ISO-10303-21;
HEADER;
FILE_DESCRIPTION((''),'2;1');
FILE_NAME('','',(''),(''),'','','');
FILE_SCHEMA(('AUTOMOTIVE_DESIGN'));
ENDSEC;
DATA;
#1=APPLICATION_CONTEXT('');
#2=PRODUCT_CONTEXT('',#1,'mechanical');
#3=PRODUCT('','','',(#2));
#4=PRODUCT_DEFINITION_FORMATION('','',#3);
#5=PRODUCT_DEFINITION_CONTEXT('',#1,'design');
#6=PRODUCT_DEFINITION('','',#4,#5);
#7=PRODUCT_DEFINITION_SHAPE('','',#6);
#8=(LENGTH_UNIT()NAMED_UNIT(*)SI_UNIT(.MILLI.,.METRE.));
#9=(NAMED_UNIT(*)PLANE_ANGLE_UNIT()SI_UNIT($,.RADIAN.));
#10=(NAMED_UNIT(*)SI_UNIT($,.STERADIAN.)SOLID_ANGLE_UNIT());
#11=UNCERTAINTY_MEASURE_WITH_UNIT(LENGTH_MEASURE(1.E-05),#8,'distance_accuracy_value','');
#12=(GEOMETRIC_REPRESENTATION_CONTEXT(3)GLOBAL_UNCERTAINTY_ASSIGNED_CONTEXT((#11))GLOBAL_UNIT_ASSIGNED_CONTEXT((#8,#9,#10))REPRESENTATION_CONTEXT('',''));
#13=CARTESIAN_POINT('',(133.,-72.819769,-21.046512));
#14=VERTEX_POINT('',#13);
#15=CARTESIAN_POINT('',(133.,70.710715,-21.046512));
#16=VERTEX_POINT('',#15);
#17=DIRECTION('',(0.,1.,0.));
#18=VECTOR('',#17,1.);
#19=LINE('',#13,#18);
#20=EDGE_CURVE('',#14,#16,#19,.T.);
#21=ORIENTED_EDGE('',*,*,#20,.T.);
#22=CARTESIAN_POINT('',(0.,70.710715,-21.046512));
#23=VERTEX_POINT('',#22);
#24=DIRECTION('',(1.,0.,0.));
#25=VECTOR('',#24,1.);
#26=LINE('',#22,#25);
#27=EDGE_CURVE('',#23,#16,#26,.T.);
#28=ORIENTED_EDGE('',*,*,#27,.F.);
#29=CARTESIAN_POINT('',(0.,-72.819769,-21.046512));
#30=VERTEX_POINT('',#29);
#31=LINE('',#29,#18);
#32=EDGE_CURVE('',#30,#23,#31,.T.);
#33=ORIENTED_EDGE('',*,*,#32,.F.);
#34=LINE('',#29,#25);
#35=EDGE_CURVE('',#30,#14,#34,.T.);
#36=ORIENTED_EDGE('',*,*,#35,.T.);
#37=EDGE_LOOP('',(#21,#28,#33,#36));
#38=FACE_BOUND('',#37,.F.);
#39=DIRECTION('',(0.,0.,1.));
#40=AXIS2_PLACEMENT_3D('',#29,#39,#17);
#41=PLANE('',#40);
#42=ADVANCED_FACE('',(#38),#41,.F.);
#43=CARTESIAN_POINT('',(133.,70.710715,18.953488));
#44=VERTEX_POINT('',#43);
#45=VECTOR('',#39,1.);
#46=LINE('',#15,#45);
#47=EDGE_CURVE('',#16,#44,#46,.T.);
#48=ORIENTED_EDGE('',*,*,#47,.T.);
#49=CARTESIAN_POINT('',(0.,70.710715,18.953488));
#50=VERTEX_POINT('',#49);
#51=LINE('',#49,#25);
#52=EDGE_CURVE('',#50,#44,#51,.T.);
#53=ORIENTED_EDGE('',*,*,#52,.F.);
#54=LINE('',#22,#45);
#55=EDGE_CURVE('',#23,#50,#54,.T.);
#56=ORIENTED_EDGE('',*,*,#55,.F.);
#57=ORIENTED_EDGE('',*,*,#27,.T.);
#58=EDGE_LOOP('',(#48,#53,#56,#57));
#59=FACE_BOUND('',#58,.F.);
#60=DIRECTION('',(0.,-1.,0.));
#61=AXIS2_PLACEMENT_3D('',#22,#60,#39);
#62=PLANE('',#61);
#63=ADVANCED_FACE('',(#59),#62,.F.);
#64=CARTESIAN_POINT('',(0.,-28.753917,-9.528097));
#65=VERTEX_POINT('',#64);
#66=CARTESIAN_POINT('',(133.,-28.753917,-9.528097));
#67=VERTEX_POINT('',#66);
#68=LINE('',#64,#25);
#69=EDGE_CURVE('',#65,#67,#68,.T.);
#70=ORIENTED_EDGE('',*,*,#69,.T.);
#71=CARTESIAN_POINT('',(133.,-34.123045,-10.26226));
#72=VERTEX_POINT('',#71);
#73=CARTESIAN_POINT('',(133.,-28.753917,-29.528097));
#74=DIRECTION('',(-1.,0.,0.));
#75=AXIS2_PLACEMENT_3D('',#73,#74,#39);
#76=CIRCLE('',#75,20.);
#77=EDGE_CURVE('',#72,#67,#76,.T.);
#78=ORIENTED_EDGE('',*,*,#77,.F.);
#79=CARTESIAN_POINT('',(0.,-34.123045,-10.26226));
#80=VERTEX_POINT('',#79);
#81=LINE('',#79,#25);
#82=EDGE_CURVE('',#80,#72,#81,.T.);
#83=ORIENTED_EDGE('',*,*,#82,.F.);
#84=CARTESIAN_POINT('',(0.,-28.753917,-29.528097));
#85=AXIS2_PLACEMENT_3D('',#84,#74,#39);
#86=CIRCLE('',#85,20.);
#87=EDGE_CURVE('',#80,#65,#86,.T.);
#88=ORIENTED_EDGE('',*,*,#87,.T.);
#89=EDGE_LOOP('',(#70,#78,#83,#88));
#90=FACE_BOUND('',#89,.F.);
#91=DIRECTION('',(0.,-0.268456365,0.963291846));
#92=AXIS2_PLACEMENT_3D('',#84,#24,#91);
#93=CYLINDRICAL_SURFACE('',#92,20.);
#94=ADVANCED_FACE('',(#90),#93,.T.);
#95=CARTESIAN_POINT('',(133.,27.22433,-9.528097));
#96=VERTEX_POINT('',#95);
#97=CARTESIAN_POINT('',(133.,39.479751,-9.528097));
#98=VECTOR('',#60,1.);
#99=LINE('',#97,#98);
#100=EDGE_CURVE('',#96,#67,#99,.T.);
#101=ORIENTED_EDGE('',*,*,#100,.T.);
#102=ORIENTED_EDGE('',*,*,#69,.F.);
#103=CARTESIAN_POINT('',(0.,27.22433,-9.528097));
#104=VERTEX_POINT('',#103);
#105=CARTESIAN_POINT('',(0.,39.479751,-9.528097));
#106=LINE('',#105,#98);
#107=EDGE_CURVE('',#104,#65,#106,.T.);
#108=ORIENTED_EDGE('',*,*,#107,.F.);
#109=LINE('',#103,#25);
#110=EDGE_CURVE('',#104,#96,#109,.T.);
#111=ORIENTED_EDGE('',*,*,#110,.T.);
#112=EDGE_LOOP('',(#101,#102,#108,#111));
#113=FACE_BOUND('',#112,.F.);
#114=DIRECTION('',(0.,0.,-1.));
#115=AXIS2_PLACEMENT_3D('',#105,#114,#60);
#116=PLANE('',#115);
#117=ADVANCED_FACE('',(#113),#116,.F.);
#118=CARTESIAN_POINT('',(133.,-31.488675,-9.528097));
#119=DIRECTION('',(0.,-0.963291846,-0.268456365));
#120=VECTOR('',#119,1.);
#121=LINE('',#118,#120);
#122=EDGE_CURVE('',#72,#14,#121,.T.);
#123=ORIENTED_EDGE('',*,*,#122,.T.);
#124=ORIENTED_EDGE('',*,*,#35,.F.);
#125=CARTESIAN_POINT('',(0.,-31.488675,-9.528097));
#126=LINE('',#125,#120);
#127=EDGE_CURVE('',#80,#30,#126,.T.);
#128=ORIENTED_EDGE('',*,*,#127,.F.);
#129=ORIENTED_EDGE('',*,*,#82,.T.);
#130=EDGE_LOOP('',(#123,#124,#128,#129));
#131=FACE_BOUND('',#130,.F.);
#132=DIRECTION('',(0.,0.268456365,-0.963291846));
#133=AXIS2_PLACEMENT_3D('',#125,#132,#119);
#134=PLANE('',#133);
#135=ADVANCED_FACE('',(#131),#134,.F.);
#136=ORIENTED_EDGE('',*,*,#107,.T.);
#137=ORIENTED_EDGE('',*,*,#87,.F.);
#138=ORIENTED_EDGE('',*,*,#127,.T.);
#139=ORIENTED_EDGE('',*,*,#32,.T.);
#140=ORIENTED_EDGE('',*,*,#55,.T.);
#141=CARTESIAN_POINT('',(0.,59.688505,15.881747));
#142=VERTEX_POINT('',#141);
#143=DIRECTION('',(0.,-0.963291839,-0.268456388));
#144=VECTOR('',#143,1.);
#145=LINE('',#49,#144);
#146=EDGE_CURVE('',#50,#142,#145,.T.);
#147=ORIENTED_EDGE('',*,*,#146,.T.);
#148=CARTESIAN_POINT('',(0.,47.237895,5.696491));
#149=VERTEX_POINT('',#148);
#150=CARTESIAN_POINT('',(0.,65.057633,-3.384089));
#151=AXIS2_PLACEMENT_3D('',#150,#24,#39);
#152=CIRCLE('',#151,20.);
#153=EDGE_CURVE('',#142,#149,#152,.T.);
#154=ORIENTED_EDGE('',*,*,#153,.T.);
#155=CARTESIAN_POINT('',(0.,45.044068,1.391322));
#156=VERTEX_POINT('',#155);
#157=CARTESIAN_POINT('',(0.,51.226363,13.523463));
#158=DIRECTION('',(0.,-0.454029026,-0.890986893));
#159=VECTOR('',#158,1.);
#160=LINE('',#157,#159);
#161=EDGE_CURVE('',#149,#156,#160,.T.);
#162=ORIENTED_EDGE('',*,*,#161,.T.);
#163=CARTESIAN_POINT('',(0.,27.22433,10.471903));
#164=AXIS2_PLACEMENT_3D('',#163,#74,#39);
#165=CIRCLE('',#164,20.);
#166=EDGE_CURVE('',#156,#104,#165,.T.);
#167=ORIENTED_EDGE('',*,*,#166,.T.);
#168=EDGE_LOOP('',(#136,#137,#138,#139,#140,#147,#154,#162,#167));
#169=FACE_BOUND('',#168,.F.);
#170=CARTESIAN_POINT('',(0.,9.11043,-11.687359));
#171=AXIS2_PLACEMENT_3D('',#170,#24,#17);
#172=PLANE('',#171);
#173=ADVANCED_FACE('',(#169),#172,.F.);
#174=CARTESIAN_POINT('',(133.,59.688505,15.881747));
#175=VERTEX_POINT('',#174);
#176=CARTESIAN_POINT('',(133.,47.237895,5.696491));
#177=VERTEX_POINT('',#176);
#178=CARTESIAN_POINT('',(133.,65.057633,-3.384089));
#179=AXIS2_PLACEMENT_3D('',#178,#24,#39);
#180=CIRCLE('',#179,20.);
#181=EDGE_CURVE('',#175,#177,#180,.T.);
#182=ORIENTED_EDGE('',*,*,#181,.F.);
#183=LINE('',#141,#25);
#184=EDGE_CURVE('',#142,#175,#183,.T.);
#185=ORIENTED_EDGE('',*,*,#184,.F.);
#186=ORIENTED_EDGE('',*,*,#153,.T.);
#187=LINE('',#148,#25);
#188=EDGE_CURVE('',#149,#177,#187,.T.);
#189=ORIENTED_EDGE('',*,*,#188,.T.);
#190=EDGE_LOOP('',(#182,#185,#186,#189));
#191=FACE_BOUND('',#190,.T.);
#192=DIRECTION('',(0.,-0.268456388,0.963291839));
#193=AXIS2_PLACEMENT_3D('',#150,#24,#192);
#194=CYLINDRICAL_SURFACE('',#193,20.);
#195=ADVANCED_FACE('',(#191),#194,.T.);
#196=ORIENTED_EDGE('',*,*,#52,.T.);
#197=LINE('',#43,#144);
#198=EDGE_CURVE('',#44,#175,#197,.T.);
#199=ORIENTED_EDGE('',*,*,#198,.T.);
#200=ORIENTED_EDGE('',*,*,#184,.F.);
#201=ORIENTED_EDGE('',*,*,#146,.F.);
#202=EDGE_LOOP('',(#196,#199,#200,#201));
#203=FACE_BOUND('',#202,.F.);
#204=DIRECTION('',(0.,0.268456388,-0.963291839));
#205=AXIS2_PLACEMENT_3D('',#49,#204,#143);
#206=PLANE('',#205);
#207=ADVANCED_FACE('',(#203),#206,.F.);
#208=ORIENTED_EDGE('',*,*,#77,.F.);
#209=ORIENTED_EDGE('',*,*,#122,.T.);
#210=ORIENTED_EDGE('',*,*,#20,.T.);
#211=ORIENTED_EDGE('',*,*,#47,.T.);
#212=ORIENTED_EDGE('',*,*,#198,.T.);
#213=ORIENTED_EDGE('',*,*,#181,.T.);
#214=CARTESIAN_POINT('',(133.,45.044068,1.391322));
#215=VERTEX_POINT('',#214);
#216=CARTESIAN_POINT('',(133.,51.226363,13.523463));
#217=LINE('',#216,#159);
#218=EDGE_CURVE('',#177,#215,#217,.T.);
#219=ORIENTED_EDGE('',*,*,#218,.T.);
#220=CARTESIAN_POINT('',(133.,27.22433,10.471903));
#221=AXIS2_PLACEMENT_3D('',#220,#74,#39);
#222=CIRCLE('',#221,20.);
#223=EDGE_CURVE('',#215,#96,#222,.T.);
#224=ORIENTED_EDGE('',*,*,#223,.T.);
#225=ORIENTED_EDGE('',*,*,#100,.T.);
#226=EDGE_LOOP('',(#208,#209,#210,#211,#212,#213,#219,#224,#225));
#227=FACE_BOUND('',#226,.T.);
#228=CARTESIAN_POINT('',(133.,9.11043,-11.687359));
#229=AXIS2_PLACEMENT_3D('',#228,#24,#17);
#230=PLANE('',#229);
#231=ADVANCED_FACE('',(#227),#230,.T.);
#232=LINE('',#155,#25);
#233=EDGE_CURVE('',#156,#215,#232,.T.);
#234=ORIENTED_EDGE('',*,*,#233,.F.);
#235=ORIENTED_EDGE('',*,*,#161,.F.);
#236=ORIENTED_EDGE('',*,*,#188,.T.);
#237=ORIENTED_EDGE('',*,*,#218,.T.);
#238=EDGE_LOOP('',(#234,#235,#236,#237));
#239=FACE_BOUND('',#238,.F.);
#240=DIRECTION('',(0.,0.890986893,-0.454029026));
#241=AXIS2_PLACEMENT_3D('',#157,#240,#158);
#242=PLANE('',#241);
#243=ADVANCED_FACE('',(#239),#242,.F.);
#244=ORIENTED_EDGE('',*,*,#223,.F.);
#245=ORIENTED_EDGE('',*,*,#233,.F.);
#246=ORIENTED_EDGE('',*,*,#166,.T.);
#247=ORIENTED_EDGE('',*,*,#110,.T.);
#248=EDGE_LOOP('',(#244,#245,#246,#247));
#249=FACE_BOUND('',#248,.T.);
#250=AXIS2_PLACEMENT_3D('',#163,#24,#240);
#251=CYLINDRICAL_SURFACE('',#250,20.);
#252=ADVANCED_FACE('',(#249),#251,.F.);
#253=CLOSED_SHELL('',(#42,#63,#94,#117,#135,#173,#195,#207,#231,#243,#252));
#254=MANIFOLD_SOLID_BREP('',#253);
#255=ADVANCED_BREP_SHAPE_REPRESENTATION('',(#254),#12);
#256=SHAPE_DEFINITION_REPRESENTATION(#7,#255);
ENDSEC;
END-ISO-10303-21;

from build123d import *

# Parameters (mm, degrees)
F1_DEPTH = 133
F2_R     = 20


with BuildPart() as f1:
    # F0 (on Right) → F1 (new body)
    with BuildSketch(Plane.YZ):
        Polygon((-31.488675, -9.528097), (-72.819769, -21.046512), (70.710715, -21.046512), (70.710715, 18.953488), (51.226363, 13.523463), (39.479751, -9.528097), align=None)
    extrude(amount=F1_DEPTH)

    # F2
    f2_edges = [f1.edges().sort_by_distance(p)[0] for p in [
        (66.5, 39.479751, -9.528097),
        (66.5, -31.488675, -9.528097),
        (66.5, 51.226363, 13.523463),
    ]]
    fillet(f2_edges, radius=F2_R)


solid = f1.part
